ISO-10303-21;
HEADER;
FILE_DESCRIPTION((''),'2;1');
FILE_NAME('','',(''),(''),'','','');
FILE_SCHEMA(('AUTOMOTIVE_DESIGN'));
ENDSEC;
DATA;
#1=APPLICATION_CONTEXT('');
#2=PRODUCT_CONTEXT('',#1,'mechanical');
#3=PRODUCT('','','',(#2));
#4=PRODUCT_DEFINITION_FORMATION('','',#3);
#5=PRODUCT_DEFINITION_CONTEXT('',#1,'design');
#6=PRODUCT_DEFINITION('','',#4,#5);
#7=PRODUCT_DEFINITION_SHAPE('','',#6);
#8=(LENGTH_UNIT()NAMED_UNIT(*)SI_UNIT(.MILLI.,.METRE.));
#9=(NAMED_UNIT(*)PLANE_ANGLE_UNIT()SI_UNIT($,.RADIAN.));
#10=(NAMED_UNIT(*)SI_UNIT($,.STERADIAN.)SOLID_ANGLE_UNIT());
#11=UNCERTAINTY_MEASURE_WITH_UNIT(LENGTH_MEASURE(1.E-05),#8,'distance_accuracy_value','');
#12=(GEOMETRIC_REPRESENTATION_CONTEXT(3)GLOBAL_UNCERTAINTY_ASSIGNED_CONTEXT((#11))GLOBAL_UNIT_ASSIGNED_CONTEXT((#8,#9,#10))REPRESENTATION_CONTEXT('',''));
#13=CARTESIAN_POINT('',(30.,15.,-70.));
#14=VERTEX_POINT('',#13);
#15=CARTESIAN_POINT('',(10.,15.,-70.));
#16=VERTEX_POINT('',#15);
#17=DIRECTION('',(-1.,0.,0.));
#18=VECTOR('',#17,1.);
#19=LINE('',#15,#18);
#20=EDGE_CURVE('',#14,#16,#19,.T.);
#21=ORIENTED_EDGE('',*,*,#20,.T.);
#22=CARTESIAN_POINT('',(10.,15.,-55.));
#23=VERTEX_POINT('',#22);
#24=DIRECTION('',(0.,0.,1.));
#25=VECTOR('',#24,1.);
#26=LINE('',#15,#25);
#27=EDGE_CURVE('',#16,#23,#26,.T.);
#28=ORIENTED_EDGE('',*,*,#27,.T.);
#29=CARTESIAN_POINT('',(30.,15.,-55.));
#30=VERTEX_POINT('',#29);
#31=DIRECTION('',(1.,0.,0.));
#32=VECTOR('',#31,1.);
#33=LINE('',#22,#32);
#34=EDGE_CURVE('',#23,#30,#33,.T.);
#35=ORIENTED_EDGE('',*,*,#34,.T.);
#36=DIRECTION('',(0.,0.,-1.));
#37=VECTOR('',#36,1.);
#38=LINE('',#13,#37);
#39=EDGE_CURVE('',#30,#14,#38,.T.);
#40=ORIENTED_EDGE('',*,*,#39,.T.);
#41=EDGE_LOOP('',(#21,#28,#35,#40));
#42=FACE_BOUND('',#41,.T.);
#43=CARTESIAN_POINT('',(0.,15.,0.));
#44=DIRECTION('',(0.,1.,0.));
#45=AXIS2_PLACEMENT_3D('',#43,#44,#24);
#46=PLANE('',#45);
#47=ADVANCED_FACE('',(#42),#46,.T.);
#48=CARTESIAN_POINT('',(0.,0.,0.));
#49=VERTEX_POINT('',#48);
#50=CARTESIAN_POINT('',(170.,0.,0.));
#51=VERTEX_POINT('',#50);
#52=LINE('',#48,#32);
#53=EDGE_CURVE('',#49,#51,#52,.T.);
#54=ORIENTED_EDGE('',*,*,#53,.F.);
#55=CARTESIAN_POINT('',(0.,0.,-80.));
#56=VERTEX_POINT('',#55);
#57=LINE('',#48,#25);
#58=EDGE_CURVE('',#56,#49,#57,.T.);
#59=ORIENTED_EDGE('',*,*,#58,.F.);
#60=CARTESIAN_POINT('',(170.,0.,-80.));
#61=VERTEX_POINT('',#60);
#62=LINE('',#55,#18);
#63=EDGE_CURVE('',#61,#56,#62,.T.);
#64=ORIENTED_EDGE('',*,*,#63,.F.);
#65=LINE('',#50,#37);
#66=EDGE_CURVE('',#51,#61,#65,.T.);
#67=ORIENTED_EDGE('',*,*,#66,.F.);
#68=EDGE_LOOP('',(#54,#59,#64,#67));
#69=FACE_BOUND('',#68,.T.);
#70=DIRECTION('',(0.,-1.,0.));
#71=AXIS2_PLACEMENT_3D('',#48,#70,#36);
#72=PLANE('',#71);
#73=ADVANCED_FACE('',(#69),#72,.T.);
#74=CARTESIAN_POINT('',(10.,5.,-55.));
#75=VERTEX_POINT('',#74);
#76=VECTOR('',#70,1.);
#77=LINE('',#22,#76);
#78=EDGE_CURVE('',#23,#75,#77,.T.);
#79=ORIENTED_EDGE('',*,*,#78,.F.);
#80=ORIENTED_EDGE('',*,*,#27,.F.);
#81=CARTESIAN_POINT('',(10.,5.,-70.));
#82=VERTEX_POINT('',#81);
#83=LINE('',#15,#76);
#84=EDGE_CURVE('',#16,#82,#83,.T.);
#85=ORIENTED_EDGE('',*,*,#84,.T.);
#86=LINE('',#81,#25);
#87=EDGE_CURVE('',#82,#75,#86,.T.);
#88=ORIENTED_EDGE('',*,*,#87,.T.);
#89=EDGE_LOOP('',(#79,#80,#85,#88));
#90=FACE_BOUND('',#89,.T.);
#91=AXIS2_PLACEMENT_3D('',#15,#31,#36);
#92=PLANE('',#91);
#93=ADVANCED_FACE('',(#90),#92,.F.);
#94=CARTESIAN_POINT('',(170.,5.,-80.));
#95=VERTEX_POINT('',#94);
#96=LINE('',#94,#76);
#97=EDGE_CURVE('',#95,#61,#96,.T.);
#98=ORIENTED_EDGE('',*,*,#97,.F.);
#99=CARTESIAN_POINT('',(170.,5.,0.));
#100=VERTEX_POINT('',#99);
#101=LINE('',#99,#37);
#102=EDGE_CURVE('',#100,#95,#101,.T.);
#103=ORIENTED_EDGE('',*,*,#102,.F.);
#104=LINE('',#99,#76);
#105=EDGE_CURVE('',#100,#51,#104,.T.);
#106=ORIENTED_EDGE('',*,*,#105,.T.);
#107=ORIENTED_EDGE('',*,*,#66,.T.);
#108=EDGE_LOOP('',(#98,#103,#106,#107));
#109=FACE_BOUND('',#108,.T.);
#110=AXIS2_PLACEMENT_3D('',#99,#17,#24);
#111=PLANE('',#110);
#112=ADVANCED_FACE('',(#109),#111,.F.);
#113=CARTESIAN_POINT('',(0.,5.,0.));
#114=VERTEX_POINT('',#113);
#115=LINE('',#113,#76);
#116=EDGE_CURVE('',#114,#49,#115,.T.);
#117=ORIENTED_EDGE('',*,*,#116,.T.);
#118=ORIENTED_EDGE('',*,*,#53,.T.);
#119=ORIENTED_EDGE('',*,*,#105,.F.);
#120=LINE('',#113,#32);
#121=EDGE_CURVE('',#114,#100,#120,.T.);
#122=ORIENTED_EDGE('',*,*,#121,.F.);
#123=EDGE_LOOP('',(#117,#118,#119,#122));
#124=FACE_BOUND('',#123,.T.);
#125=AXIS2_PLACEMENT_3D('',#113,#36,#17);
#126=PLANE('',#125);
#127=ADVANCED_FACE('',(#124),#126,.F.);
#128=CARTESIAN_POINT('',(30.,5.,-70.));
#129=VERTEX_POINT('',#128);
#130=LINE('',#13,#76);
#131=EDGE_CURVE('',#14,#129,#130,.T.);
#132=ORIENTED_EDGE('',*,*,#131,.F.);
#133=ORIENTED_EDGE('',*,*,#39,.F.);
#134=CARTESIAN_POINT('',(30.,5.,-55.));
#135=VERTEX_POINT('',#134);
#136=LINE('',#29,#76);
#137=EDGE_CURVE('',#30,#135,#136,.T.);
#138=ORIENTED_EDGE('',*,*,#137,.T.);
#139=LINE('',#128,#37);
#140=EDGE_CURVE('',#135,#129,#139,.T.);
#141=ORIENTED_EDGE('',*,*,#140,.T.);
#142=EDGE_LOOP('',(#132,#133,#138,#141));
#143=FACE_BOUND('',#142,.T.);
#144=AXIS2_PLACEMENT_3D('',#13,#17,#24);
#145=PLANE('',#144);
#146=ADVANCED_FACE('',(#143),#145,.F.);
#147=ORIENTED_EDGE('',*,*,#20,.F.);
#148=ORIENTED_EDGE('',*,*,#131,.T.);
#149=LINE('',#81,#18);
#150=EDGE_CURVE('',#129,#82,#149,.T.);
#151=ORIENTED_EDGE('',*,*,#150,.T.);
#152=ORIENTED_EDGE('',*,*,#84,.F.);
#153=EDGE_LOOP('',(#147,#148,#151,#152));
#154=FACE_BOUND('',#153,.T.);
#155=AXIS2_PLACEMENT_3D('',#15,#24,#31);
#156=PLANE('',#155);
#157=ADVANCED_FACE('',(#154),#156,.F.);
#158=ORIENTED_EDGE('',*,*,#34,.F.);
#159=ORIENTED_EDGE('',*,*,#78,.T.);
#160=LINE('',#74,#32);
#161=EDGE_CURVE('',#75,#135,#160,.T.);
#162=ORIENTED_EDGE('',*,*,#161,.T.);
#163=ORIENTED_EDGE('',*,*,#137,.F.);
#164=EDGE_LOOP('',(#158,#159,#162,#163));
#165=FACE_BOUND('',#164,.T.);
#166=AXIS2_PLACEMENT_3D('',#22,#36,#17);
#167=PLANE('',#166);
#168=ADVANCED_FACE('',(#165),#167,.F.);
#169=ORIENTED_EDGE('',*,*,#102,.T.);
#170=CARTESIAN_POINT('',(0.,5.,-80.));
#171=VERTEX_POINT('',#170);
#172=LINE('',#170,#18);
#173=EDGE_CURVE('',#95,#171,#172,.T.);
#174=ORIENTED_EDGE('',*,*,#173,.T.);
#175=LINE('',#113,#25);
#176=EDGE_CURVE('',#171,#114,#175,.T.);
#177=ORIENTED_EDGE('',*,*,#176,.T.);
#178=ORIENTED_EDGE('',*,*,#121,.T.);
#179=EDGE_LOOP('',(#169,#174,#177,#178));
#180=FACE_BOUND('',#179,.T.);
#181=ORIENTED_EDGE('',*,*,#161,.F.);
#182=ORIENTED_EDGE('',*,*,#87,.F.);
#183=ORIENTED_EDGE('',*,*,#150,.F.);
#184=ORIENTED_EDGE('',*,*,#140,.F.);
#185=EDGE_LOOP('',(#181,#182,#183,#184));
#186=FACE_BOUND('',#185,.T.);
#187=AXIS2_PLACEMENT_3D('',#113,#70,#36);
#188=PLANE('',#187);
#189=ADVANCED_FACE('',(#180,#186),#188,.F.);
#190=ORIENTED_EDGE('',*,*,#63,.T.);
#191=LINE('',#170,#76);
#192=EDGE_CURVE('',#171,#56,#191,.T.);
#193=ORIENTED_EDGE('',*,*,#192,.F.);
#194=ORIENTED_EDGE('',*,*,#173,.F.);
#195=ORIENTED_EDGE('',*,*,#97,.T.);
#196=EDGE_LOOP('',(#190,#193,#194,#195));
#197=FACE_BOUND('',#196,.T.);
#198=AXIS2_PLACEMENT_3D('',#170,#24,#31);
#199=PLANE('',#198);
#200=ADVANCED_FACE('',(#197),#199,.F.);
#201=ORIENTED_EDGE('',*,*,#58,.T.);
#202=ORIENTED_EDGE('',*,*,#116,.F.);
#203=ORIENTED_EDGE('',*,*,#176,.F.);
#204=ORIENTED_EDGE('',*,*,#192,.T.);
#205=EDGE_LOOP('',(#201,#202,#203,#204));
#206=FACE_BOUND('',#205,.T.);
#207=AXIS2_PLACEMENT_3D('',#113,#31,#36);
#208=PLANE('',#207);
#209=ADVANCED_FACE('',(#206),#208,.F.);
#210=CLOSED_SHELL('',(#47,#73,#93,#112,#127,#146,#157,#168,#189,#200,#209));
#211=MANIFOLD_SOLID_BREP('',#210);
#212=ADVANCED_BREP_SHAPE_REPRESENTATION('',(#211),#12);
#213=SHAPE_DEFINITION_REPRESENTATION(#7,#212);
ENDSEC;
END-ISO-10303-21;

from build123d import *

# Parameters (mm, degrees)
SKETCH1_W           = 170
SKETCH1_H           = 80
BOSS_EXTRUDE1_DEPTH = 5
SKETCH2_W           = 20
SKETCH2_H           = 15
BOSS_EXTRUDE2_DEPTH = 10


with BuildPart() as part:
    # Sketch1 → Boss-Extrude1 (new body)
    with BuildSketch(Plane(origin=(0, 0, 0), x_dir=(1, 0, 0), z_dir=(0, 1, 0))):
        with Locations((85, 40)):
            Rectangle(SKETCH1_W, SKETCH1_H)
    extrude(amount=BOSS_EXTRUDE1_DEPTH)

    # Sketch2 → Boss-Extrude2 (add)
    with BuildSketch(Plane(origin=(0, 5, 0), x_dir=(1, 0, 0), z_dir=(0, 1, 0))):
        with Locations((20, 62.5)):
            Rectangle(SKETCH2_W, SKETCH2_H)
    extrude(amount=BOSS_EXTRUDE2_DEPTH)


solid = part.part
